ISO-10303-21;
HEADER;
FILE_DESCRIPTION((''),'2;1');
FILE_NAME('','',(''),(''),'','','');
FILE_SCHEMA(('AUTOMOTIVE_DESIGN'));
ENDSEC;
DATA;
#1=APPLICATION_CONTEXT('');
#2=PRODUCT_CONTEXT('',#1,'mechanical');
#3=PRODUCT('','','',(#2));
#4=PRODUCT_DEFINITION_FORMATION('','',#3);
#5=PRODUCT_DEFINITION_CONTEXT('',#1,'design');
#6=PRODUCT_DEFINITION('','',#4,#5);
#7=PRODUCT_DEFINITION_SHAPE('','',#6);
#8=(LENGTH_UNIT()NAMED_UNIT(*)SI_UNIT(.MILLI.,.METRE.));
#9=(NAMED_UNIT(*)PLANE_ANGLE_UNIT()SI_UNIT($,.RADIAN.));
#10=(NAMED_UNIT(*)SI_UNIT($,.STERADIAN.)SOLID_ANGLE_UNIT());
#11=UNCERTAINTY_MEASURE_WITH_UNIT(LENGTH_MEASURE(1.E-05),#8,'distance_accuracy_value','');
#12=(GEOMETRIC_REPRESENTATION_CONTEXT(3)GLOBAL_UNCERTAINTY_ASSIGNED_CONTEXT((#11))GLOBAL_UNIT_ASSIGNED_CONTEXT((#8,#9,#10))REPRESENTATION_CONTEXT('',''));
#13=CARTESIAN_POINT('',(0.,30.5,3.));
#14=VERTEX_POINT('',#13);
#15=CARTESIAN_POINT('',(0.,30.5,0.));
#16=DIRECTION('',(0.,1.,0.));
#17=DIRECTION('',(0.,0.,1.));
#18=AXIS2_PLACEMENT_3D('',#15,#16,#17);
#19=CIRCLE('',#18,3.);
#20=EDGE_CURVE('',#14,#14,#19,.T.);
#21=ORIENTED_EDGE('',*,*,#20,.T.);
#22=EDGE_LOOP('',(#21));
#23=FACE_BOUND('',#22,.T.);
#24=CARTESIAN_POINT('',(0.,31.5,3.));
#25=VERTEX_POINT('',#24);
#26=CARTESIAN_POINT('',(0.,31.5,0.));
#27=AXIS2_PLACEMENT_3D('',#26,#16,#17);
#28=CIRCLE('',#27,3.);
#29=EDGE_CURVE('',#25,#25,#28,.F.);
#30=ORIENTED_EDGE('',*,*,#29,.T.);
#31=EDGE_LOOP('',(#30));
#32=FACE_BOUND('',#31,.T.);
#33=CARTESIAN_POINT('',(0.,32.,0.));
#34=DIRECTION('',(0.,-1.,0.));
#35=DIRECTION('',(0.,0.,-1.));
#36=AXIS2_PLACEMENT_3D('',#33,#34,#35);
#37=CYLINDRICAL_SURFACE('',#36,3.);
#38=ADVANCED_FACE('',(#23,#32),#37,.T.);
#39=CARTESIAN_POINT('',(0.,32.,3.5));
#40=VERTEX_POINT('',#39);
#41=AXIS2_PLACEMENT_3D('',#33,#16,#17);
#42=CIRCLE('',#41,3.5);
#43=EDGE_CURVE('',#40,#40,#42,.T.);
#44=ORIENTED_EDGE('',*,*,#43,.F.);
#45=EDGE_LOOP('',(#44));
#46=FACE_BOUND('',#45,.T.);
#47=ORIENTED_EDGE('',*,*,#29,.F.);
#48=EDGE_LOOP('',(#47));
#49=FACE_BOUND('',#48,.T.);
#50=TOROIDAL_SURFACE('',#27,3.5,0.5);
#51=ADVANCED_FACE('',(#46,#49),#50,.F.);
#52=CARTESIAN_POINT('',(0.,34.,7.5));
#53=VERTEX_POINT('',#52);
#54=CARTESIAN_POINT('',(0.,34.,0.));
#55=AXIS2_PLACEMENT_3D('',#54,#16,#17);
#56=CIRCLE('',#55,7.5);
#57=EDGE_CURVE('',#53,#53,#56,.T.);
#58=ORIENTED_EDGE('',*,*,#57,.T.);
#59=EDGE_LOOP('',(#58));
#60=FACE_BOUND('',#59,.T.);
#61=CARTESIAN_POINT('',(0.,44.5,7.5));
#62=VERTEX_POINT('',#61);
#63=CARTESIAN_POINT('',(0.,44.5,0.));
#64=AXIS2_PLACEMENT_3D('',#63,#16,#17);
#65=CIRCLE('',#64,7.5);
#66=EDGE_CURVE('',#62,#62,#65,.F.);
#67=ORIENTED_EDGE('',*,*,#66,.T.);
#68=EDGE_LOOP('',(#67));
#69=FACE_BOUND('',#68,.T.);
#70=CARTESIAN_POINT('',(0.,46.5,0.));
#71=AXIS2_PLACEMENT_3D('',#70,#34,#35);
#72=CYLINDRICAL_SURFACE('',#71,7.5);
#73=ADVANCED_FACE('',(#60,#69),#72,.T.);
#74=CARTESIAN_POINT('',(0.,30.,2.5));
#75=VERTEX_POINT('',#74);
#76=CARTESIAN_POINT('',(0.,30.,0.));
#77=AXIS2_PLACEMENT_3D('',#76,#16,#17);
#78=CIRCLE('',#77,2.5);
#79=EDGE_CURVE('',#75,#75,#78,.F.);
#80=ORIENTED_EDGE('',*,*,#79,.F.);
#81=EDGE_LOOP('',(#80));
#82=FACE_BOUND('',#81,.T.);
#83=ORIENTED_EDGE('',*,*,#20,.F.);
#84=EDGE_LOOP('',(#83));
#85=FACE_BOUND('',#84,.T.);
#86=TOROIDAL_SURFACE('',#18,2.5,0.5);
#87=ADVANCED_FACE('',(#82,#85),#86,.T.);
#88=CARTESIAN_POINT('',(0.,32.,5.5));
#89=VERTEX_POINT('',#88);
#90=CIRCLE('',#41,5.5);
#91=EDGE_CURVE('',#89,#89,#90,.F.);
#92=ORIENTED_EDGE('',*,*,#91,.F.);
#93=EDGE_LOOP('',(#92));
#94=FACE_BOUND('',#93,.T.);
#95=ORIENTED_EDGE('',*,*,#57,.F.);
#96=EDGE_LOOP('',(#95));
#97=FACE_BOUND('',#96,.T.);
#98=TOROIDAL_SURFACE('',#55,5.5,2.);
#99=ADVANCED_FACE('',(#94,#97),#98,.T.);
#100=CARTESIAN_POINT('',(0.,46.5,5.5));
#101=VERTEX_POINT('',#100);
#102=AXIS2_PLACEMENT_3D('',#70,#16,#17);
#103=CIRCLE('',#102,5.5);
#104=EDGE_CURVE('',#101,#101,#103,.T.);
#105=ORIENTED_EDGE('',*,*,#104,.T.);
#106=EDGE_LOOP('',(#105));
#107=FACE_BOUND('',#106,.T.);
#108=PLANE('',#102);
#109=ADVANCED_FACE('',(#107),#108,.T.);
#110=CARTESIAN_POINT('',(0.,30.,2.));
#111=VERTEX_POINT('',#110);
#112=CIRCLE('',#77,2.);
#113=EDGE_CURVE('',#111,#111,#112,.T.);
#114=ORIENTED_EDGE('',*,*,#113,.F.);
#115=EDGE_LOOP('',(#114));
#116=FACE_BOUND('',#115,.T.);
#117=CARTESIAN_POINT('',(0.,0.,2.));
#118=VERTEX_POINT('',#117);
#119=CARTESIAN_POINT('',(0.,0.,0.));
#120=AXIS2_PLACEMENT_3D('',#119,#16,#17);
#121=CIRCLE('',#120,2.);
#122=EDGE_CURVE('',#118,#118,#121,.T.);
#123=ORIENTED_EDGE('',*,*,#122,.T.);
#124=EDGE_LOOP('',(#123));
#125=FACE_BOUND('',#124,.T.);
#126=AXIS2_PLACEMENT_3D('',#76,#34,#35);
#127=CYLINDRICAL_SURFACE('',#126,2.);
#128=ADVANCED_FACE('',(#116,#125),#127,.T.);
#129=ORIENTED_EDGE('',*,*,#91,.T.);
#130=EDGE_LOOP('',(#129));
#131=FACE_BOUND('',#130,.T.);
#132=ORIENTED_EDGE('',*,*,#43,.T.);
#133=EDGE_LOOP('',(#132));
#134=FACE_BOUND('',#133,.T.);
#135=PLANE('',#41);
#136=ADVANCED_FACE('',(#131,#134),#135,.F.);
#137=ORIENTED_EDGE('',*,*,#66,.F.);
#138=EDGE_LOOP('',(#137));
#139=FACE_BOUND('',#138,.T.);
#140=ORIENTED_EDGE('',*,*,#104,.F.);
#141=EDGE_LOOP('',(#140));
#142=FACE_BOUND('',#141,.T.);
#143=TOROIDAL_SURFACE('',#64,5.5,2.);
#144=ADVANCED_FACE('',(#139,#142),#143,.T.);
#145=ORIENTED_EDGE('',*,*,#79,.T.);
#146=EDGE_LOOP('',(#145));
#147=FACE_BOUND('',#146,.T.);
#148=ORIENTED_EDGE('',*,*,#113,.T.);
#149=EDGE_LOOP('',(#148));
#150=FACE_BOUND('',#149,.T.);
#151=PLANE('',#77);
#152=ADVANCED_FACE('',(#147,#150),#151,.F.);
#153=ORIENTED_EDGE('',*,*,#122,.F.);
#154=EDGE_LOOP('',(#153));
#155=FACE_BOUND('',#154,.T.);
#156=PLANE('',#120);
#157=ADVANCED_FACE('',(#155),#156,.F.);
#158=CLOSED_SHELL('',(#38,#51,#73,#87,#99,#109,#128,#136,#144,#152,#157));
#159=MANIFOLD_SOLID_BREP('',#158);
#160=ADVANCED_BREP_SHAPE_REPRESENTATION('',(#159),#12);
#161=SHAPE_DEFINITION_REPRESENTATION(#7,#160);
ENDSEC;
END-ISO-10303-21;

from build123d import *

# Parameters (mm, degrees)
SKETCH_1_R      = 2
EXTRUDE_1_DEPTH = 30
SKETCH_2_R      = 3
EXTRUDE_2_DEPTH = 2
SKETCH_3_R      = 7.5
EXTRUDE_3_DEPTH = 14.5
FILLET_1_R      = 2
FILLET_2_R      = 0.5


with BuildPart() as part:
    # 草图1 → 凸台-拉伸1 (new body)
    with BuildSketch(Plane(origin=(0, 0, 0), x_dir=(1, 0, 0), z_dir=(0, 1, 0))):
        Circle(SKETCH_1_R)
    extrude(amount=EXTRUDE_1_DEPTH)

    # 草图2 → 凸台-拉伸2 (add)
    with BuildSketch(Plane(origin=(0, 30, 0), x_dir=(1, 0, 0), z_dir=(0, 1, 0))):
        Circle(SKETCH_2_R)
    extrude(amount=EXTRUDE_2_DEPTH)

    # 草图3 → 凸台-拉伸3 (add)
    with BuildSketch(Plane(origin=(0, 32, 0), x_dir=(1, 0, 0), z_dir=(0, 1, 0))):
        Circle(SKETCH_3_R)
    extrude(amount=EXTRUDE_3_DEPTH)

    # 圆角1
    fillet_1_edges = [part.edges().sort_by_distance(p)[0] for p in [
        (-7.5, 32, 0),
        (-7.5, 46.5, 0),
    ]]
    fillet(fillet_1_edges, radius=FILLET_1_R)

    # 圆角2
    fillet_2_edges = [part.edges().sort_by_distance(p)[0] for p in [
        (-3, 30, 0),
        (-3, 32, 0),
    ]]
    fillet(fillet_2_edges, radius=FILLET_2_R)


solid = part.part
